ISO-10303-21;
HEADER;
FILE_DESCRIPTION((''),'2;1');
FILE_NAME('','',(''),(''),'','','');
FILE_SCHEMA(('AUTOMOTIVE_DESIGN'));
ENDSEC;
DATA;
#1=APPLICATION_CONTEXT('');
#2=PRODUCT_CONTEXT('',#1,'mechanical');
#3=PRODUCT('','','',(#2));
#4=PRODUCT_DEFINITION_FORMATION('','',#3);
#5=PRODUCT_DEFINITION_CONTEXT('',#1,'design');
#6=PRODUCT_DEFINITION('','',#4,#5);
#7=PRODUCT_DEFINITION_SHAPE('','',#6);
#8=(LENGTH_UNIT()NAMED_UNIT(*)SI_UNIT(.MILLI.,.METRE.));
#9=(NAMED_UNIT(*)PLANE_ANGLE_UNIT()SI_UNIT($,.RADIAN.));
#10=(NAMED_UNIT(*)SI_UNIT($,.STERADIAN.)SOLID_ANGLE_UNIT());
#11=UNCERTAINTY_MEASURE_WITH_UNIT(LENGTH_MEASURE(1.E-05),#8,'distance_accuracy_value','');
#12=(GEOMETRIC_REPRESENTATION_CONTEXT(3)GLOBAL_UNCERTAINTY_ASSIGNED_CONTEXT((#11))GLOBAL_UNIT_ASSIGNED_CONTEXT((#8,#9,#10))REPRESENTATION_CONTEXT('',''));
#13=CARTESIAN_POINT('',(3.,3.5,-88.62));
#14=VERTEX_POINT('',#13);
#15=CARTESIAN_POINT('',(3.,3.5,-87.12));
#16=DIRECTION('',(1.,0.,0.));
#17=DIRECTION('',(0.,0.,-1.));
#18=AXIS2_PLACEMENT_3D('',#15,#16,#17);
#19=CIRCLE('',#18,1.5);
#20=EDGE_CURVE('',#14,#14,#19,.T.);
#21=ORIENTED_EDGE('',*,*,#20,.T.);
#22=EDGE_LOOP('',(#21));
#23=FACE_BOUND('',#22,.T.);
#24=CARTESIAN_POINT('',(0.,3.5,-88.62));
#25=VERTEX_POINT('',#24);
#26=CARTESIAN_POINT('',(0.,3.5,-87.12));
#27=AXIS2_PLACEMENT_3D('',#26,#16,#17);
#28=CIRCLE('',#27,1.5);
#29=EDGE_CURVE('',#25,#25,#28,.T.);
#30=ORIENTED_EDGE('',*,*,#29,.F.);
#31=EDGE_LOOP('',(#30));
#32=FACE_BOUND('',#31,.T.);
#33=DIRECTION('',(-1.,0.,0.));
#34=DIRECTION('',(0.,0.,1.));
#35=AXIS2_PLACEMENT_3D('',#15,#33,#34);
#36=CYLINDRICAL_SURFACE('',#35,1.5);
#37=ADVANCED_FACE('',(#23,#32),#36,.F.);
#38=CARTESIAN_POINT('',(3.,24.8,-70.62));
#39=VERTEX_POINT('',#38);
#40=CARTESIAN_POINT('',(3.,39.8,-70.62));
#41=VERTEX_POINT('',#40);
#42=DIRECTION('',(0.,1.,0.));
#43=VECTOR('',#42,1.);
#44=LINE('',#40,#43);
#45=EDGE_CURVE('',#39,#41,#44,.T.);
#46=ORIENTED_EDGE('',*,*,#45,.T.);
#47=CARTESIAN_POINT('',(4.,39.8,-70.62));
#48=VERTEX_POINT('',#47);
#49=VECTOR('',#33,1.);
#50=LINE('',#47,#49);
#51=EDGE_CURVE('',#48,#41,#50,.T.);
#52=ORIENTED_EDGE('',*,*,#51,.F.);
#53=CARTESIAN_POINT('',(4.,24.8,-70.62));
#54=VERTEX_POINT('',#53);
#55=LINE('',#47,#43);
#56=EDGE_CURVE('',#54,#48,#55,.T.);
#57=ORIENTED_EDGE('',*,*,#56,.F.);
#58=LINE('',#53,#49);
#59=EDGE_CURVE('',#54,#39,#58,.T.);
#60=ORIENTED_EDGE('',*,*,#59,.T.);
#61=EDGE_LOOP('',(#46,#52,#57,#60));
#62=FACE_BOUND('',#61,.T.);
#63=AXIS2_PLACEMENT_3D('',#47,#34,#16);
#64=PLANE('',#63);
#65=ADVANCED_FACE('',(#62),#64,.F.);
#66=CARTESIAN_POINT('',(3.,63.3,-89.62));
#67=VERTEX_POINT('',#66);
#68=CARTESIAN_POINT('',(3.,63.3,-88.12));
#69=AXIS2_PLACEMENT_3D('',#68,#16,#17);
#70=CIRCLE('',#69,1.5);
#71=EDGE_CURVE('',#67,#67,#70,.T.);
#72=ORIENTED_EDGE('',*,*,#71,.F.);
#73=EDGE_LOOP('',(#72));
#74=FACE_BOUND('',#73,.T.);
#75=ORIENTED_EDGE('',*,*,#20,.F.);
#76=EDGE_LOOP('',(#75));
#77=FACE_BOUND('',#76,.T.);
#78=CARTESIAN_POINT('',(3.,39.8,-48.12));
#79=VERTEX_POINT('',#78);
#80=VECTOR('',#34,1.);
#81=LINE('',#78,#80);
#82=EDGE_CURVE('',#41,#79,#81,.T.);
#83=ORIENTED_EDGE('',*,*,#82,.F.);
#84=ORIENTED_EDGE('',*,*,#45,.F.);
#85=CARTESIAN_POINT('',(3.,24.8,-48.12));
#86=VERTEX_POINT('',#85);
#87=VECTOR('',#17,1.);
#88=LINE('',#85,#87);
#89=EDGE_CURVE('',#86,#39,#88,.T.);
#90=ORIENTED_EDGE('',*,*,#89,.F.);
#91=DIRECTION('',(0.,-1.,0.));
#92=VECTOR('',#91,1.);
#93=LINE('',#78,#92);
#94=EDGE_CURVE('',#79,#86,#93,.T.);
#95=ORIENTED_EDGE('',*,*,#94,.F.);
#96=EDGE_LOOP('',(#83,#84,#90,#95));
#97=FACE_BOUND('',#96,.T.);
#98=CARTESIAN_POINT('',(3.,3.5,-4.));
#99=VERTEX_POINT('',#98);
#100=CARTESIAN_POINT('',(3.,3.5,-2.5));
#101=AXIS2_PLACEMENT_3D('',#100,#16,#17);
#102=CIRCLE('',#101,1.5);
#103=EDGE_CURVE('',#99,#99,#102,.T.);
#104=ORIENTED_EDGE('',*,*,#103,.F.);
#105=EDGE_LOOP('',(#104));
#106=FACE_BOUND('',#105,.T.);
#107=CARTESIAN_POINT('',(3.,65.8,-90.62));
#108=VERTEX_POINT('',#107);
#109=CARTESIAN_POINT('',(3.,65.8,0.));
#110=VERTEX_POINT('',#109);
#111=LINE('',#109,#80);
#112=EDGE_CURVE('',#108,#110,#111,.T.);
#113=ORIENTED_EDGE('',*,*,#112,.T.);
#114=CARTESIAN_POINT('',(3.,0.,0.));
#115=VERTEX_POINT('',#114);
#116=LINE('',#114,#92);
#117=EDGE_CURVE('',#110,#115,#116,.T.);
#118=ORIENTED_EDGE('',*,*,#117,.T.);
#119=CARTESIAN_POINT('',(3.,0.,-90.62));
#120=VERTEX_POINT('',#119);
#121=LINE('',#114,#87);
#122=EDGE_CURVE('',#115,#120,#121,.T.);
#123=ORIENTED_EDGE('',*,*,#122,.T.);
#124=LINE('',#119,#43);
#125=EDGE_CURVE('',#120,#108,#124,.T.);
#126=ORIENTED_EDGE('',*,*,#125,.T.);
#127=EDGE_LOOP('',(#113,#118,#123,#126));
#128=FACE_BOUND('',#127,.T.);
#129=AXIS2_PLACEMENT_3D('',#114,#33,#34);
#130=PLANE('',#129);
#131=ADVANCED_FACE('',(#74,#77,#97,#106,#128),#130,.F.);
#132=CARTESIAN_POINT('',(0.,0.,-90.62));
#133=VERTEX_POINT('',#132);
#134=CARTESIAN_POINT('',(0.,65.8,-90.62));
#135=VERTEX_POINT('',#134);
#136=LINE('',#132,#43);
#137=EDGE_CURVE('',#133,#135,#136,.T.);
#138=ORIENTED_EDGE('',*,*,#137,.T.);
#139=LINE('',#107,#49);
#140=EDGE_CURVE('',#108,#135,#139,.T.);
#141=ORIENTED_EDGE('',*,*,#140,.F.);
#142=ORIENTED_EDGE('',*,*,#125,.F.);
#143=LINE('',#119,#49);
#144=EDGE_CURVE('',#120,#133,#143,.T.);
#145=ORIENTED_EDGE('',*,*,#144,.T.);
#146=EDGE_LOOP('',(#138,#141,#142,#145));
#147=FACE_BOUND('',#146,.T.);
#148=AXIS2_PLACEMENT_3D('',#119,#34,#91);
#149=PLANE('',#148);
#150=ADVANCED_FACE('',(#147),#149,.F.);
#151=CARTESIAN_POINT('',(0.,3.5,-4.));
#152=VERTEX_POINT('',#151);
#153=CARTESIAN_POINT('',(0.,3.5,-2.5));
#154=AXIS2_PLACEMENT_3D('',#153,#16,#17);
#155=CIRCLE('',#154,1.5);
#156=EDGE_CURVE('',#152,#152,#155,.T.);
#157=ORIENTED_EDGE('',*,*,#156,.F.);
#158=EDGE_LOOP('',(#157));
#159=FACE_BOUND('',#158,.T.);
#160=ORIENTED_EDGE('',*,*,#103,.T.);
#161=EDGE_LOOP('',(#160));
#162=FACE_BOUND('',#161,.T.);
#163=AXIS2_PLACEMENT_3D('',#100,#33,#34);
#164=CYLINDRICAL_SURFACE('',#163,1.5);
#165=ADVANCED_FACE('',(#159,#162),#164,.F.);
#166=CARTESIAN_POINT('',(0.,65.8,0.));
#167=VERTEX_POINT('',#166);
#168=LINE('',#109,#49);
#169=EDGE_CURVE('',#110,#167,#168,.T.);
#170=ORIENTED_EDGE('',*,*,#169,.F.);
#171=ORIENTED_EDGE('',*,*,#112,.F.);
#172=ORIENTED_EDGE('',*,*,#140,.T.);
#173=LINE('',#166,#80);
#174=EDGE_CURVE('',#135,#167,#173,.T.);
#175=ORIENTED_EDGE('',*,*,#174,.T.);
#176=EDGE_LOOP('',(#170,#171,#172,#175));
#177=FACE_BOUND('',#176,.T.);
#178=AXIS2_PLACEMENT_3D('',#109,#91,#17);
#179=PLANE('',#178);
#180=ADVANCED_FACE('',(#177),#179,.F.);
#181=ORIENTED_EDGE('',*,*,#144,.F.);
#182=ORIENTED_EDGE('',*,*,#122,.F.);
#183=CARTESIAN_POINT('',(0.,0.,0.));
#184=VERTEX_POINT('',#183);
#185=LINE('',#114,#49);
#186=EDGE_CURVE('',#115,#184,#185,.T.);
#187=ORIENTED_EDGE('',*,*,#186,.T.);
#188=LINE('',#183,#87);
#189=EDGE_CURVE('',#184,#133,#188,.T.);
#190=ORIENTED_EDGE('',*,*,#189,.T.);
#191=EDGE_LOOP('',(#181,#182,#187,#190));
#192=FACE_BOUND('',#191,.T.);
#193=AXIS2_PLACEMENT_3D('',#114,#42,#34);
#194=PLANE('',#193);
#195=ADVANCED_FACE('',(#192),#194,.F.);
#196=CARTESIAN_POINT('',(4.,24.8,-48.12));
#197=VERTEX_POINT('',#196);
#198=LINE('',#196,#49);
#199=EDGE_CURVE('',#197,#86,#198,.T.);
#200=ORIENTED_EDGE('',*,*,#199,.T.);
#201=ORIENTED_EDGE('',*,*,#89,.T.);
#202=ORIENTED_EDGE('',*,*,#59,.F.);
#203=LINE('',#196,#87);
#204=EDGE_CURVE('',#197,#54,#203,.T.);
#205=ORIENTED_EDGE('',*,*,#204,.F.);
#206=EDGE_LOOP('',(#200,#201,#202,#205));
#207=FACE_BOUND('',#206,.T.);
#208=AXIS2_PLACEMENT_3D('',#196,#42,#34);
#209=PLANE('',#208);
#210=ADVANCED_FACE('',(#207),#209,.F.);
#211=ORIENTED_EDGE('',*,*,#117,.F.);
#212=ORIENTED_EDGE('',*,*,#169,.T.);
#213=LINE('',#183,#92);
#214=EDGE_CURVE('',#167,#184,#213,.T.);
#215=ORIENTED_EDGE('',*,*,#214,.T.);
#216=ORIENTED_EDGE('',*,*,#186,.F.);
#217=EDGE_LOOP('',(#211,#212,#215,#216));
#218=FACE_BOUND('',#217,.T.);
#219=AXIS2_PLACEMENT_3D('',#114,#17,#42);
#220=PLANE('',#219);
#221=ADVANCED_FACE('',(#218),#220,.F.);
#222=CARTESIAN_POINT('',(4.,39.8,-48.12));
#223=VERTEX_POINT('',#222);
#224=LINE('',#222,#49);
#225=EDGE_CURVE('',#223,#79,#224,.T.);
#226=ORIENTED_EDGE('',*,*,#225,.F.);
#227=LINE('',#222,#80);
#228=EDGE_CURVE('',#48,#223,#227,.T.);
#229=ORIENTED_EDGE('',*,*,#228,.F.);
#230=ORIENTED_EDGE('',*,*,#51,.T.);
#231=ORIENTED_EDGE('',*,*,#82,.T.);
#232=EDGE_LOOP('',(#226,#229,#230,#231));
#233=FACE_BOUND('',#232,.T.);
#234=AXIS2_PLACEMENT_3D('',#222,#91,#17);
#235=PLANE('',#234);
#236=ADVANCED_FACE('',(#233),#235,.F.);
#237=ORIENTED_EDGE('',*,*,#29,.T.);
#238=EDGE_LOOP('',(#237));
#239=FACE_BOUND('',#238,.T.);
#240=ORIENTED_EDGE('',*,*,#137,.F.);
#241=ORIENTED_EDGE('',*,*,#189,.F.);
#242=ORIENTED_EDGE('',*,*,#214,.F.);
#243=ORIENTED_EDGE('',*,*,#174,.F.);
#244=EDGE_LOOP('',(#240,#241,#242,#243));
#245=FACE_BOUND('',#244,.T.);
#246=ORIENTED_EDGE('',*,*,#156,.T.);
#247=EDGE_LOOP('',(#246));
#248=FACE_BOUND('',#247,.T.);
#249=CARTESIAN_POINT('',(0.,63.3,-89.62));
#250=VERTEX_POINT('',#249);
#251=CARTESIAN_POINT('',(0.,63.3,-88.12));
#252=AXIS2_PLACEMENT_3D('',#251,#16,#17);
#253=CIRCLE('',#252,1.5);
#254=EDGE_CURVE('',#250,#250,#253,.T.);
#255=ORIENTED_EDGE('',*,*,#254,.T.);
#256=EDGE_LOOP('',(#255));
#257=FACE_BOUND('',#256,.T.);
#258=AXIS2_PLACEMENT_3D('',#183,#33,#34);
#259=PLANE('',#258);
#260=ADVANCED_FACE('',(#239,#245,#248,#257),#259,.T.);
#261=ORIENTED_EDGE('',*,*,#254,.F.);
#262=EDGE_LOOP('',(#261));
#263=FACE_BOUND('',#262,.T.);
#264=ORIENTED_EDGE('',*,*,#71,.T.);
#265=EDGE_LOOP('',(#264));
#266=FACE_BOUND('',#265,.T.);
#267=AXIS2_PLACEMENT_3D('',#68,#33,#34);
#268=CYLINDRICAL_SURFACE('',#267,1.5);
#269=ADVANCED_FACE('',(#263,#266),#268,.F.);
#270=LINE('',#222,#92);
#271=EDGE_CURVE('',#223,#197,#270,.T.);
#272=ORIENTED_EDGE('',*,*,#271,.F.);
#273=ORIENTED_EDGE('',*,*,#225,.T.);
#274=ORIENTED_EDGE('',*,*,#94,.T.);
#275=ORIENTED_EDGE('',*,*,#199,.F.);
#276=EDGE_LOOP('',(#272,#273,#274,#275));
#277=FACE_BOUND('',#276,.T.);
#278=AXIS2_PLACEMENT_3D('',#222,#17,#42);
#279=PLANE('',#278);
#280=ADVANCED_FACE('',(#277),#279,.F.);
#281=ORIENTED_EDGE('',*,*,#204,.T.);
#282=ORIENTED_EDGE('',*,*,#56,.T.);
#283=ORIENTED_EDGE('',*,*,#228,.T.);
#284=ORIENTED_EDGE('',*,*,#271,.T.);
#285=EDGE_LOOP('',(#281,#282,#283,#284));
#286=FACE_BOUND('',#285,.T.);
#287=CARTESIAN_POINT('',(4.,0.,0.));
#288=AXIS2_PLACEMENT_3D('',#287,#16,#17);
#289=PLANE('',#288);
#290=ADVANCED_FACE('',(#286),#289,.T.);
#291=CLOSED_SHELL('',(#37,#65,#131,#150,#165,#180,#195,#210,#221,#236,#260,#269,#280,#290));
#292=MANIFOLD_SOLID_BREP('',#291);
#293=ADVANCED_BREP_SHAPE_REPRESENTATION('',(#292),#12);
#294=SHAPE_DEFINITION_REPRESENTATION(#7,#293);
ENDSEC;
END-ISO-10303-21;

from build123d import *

# Parameters (mm, degrees)
CROQUIS1_W              = 90.62
CROQUIS1_H              = 65.8
CROQUIS1_R              = 1.5
SALIENTE_EXTRUIR1_DEPTH = 3
CROQUIS2_W              = 22.5
CROQUIS2_H              = 15
SALIENTE_EXTRUIR2_DEPTH = 1


with BuildPart() as part:
    # Croquis1 → Saliente-Extruir1 (new body)
    with BuildSketch(Plane(origin=(0, 0, 0), x_dir=(0, 0, -1), z_dir=(1, 0, 0))):
        with Locations((45.31, 32.9)):
            Rectangle(CROQUIS1_W, CROQUIS1_H)
        with Locations((88.12, 63.3)):
            Circle(CROQUIS1_R, mode=Mode.SUBTRACT)
        with Locations((87.12, 3.5)):
            Circle(CROQUIS1_R, mode=Mode.SUBTRACT)
        with Locations((2.5, 3.5)):
            Circle(CROQUIS1_R, mode=Mode.SUBTRACT)
    extrude(amount=SALIENTE_EXTRUIR1_DEPTH)

    # Croquis2 → Saliente-Extruir2 (add)
    with BuildSketch(Plane(origin=(3, 0, 0), x_dir=(0, 0, -1), z_dir=(1, 0, 0))):
        with Locations((59.37, 32.3)):
            Rectangle(CROQUIS2_W, CROQUIS2_H)
    extrude(amount=SALIENTE_EXTRUIR2_DEPTH)


solid = part.part
